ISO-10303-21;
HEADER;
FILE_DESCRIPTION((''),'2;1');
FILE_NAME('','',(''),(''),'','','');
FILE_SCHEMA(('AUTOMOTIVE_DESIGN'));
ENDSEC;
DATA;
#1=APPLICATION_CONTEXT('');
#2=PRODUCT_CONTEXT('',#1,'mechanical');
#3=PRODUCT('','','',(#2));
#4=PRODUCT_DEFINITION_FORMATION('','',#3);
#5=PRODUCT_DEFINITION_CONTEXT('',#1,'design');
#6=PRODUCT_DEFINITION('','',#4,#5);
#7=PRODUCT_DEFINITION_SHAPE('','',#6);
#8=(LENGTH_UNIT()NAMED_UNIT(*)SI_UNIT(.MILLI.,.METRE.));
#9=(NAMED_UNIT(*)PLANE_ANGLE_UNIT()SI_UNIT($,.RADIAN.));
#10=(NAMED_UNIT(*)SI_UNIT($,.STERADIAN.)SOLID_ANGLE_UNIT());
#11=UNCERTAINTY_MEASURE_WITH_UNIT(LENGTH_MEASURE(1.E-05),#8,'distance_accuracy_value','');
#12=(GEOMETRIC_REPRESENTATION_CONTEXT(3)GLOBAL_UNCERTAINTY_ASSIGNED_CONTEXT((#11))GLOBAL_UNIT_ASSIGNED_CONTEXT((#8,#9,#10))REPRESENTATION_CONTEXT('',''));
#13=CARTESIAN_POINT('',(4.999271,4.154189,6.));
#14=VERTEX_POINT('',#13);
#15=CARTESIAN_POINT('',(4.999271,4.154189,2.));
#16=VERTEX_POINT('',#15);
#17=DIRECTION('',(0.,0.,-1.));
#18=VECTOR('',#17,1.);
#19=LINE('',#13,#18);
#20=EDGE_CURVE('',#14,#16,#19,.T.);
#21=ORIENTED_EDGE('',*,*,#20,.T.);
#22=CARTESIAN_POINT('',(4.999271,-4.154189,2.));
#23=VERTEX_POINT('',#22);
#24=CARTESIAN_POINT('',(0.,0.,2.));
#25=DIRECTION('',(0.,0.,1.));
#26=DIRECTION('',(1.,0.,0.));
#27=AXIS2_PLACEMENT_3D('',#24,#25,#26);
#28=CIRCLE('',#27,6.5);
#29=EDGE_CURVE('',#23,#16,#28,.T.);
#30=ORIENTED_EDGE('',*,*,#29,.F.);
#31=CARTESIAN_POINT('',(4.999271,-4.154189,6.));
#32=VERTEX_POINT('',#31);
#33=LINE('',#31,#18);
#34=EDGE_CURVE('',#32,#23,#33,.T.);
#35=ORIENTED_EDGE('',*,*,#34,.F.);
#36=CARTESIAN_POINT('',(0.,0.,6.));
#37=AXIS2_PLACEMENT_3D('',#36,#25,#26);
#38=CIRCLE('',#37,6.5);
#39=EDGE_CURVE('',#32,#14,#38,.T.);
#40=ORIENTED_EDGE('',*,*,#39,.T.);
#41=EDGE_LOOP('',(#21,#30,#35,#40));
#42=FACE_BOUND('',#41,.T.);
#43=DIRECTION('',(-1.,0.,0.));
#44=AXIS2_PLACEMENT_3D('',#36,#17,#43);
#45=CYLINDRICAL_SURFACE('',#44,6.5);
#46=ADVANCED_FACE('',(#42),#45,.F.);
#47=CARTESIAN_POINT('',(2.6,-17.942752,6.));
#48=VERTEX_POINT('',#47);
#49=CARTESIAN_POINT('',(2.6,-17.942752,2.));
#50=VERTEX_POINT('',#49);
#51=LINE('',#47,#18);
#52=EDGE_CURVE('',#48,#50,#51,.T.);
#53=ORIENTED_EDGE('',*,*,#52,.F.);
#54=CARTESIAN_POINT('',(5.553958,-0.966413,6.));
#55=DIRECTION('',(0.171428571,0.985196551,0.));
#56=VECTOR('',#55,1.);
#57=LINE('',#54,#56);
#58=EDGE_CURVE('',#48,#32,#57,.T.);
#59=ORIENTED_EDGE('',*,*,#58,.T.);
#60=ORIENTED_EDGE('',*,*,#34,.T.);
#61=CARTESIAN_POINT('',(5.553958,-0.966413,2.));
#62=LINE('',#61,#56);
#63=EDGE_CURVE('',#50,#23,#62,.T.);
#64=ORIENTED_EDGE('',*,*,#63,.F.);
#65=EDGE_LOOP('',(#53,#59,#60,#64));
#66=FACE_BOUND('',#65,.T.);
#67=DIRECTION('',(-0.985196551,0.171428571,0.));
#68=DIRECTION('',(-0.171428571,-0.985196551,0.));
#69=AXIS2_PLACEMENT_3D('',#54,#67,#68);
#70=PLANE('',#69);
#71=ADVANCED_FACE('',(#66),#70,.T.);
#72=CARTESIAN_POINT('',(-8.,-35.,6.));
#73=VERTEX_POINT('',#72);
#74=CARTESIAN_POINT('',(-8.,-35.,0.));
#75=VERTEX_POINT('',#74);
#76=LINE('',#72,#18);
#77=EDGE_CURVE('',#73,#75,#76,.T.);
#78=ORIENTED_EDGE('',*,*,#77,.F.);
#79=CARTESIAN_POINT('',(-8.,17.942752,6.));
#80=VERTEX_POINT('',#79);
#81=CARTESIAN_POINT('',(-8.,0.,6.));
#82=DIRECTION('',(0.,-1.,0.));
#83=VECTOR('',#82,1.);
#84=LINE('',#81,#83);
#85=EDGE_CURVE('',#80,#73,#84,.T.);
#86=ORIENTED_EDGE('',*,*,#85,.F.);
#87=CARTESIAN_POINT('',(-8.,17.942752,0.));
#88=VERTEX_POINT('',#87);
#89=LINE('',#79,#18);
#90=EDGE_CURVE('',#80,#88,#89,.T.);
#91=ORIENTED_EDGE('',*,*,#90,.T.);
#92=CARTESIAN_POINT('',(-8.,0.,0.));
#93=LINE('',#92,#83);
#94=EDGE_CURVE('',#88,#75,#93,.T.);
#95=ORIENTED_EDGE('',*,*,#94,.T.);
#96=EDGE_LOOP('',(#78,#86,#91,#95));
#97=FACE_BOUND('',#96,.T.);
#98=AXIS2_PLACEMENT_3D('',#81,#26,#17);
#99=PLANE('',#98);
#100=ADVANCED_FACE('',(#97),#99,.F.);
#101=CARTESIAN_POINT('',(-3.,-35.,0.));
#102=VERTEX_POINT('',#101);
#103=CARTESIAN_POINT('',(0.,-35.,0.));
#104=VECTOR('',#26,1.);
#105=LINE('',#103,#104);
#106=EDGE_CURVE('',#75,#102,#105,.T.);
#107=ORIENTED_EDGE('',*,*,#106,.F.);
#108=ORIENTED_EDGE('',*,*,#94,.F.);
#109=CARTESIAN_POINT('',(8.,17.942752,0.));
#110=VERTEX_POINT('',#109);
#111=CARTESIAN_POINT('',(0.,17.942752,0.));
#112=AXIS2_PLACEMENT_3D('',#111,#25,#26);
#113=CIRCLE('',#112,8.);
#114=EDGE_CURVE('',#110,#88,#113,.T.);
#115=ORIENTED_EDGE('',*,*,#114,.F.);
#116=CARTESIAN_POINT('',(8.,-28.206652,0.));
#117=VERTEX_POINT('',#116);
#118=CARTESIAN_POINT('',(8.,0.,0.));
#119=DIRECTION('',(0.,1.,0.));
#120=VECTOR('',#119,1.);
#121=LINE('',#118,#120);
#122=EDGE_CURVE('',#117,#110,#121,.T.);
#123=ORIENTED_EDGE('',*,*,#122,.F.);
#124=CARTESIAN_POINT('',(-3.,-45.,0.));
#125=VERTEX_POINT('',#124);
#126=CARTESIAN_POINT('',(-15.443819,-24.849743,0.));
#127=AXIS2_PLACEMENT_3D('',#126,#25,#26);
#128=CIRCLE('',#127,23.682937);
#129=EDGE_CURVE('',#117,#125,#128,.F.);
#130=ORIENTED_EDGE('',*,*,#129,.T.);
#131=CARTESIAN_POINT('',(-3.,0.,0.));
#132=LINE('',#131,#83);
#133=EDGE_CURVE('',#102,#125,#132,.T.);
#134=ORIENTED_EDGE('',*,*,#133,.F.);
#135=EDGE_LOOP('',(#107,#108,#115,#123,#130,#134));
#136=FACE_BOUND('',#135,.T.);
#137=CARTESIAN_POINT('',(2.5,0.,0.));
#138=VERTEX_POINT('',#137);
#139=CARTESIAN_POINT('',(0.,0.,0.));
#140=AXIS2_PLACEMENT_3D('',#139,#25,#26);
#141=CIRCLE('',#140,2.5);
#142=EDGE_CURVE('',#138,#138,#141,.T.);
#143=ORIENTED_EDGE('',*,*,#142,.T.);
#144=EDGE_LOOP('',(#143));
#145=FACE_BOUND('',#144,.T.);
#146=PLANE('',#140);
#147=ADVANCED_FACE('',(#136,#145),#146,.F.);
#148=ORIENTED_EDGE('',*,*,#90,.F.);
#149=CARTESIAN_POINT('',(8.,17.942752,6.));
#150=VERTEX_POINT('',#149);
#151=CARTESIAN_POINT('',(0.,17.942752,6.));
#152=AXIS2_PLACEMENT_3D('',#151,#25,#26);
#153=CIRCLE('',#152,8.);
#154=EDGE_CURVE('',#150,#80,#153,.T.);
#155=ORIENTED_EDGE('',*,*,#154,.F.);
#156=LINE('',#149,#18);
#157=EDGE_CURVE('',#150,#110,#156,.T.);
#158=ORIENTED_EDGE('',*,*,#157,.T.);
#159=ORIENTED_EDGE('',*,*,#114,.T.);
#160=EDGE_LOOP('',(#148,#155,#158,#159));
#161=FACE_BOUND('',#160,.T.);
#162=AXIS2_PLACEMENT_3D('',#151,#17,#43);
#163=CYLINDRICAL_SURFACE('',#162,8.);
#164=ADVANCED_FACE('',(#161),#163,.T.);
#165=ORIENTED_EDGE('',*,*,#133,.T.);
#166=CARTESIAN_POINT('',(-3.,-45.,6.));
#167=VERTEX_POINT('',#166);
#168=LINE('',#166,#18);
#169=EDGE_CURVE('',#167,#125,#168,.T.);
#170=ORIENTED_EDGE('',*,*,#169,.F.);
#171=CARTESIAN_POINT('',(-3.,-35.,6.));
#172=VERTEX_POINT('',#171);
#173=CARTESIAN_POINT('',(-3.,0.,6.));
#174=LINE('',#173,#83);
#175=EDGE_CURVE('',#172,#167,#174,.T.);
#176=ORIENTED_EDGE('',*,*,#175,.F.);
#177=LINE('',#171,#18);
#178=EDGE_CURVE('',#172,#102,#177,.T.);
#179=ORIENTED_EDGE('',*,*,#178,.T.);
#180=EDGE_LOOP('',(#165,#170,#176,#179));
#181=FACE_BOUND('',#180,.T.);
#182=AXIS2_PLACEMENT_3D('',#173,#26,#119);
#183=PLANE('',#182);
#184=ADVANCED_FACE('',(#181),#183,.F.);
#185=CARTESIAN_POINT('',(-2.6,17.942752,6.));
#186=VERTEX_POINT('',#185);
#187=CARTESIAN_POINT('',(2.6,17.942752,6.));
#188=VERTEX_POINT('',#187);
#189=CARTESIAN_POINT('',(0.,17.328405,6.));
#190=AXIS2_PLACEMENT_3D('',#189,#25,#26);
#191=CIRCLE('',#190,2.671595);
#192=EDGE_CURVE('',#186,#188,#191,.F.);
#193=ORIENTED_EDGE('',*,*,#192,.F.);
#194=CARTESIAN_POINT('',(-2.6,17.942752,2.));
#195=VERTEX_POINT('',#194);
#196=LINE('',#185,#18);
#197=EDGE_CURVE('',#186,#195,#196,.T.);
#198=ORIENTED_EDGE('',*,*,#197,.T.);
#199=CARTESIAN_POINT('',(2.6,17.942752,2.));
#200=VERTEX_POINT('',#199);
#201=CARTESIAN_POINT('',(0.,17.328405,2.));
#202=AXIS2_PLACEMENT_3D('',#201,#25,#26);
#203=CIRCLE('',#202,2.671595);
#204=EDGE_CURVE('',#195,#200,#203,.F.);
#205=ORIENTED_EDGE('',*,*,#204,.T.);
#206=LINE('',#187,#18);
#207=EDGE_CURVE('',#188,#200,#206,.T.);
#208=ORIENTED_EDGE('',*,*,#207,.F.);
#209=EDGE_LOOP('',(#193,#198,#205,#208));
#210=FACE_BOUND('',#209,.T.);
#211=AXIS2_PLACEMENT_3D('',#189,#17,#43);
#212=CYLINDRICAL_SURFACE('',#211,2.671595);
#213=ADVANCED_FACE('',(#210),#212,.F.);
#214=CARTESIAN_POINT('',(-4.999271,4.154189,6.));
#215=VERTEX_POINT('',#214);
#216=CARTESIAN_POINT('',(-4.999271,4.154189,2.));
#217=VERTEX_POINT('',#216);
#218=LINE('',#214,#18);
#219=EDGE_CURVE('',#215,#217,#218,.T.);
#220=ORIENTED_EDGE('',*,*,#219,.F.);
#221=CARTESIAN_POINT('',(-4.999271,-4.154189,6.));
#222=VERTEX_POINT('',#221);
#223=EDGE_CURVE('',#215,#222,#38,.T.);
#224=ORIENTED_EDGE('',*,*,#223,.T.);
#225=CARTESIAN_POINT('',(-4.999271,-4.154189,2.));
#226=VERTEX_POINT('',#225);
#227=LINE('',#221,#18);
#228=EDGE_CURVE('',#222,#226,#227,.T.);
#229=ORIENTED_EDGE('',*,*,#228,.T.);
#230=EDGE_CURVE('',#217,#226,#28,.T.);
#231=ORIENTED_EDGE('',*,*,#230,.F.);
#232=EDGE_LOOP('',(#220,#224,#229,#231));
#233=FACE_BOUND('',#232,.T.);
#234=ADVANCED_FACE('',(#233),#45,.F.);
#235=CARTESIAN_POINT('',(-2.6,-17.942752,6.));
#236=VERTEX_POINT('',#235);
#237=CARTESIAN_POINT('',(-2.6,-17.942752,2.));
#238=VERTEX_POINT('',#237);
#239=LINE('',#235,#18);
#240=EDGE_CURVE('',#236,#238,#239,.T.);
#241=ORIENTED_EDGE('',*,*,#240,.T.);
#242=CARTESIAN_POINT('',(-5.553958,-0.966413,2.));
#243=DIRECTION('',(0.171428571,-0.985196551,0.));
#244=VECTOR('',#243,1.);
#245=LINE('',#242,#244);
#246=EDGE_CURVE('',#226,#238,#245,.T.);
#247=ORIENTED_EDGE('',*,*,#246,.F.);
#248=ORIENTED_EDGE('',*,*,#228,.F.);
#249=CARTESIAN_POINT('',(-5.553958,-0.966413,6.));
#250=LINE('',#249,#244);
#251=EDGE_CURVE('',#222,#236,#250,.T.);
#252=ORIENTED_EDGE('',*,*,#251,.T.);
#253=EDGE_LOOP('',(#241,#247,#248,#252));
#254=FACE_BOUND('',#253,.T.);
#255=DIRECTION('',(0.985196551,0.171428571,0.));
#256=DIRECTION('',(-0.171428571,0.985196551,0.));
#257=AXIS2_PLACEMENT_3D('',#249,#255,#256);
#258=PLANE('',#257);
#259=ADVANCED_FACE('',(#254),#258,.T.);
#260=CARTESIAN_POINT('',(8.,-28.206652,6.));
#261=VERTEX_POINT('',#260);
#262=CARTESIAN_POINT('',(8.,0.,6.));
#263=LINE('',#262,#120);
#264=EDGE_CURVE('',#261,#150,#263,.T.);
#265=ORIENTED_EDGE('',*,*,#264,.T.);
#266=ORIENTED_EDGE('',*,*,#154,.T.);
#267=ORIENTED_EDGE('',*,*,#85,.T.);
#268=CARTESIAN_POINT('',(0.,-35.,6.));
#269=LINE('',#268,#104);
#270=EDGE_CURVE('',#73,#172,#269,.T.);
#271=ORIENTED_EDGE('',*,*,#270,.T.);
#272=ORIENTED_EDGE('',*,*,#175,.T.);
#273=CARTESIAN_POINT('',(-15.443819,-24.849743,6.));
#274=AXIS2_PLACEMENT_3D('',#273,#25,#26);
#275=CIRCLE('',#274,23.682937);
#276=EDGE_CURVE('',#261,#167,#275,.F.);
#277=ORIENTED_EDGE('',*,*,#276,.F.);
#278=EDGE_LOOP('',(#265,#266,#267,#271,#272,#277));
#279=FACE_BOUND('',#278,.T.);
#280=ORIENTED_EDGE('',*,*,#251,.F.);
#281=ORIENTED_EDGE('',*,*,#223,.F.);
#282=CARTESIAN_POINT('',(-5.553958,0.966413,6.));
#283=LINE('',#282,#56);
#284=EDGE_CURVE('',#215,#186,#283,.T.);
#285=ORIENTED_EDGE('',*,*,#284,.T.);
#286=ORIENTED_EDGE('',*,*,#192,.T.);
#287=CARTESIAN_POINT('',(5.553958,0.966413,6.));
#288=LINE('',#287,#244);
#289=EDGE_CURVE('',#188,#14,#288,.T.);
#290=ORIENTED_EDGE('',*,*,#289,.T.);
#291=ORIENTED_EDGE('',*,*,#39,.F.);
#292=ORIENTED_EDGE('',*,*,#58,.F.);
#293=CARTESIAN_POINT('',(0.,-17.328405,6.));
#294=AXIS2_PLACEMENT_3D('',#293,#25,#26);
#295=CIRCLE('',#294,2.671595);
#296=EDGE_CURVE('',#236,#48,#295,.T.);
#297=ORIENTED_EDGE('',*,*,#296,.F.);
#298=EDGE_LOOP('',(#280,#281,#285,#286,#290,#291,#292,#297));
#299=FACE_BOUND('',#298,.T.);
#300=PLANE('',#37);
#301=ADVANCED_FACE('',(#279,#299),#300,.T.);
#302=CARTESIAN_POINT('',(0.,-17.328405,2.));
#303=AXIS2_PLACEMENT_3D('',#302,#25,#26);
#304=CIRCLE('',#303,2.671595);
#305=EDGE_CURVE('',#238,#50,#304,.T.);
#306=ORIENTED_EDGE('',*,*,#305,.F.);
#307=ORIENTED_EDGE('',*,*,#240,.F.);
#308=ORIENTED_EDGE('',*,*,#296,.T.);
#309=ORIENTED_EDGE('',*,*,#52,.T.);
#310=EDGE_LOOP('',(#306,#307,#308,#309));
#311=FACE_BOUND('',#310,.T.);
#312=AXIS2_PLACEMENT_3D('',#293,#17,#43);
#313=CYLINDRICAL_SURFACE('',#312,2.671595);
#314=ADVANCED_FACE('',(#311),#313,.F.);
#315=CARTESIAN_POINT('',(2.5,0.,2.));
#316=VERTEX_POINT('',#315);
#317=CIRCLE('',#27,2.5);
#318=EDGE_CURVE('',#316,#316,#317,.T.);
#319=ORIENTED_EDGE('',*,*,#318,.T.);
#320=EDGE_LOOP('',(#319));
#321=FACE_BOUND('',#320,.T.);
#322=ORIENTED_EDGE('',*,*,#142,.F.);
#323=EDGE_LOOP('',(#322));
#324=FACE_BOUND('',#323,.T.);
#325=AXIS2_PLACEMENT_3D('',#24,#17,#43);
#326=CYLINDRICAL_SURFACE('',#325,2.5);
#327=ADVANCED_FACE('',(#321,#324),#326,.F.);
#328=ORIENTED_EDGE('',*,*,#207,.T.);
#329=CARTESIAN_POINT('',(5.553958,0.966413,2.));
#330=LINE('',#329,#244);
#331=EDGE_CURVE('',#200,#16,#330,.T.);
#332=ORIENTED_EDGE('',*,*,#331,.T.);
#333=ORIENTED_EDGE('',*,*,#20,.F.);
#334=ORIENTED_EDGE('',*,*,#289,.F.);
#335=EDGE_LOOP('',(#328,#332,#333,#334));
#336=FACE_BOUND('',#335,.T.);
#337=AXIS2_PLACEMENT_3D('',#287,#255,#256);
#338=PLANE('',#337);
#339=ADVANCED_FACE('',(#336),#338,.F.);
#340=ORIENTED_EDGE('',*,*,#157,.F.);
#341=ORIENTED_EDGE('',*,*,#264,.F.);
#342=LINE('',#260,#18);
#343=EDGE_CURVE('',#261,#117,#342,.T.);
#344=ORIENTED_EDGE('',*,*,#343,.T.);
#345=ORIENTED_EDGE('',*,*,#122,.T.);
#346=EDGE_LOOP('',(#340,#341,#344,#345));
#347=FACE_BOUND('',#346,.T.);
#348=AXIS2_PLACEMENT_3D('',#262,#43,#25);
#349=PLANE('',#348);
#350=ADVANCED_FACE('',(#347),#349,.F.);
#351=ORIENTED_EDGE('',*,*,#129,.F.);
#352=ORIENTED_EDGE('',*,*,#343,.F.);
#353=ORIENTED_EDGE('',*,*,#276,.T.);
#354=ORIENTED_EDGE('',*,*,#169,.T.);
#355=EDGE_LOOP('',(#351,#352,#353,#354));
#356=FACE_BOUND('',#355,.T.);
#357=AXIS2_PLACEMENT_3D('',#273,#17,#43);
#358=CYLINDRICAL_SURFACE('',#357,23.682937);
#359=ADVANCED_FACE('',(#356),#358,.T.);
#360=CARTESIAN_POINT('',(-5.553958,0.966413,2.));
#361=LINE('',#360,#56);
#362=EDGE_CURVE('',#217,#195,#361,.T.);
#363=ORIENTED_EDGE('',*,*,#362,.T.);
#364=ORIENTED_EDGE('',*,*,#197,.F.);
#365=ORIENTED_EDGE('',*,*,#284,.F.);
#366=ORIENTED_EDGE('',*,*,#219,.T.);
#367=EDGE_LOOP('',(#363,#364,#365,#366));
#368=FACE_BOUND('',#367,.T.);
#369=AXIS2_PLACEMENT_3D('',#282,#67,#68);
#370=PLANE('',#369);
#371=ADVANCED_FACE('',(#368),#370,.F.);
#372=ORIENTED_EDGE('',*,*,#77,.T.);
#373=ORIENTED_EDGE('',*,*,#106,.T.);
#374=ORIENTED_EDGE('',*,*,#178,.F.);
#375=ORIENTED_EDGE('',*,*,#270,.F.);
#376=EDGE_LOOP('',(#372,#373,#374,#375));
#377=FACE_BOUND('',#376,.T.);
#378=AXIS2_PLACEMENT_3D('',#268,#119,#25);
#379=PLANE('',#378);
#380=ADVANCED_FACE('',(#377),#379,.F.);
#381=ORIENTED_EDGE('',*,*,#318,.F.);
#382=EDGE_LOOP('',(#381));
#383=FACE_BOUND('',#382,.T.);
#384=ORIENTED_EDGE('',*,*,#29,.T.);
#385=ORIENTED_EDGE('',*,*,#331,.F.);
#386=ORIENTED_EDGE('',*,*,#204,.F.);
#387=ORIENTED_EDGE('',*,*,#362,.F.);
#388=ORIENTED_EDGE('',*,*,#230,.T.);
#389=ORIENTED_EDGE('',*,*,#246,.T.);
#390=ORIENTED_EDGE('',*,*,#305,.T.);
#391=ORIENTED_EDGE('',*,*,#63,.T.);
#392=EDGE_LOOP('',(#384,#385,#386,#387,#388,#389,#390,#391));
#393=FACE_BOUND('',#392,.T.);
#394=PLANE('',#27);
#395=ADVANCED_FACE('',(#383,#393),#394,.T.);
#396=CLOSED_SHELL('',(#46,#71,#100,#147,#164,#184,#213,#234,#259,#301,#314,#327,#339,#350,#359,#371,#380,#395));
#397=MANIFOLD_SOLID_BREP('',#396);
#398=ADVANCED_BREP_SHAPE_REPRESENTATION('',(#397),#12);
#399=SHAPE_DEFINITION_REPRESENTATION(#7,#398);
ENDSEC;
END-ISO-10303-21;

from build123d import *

# Parameters (mm, degrees)
EXTRUDE_1_DEPTH = 6
SKETCH_2_W      = 13.679492917
SKETCH_2_H      = 41.038478751
SKETCH_2_R      = 2.5
EXTRUDE_2_DEPTH = 2


with BuildPart() as part:
    # 草圖1 → 填料-伸長1 (new body)
    with BuildSketch(Plane.XY):
        with BuildLine():
            Line((8, -24.934633195), (8, 17.94275172))
            ThreePointArc((8, 17.94275172), (0, 25.94275172), (-8, 17.94275172))
            Line((-8, 17.94275172), (-8, -18.141285654))
            Line((-8, -18.141285654), (-8, -24.934633195))
            Line((-8, -24.934633195), (-8, -28.206652459))
            Line((-8, -28.206652459), (-8, -35))
            Line((-8, -35), (-3, -35))
            Line((-3, -35), (-3, -45))
            ThreePointArc((-3, -45), (4.367409356, -37.826519096), (8, -28.206652459))
            Line((8, -28.206652459), (8, -24.934633195))
        make_face()
        with BuildLine():
            ThreePointArc((-4.999271035, -4.154189345), (-6.5, 0), (-4.999271035, 4.154189345))
            Line((-4.999271035, 4.154189345), (-2.6, 17.94275172))
            ThreePointArc((-2.6, 17.94275172), (0, 20), (2.6, 17.94275172))
            Line((2.6, 17.94275172), (4.999271035, 4.154189345))
            ThreePointArc((4.999271035, 4.154189345), (6.5, 0), (4.999271035, -4.154189345))
            Line((4.999271035, -4.154189345), (2.6, -17.94275172))
            ThreePointArc((2.6, -17.94275172), (0, -20), (-2.6, -17.94275172))
            Line((-2.6, -17.94275172), (-4.999271035, -4.154189345))
        make_face(mode=Mode.SUBTRACT)
    extrude(amount=EXTRUDE_1_DEPTH)

    # 草圖2 → 填料-伸長2 (add)
    with BuildSketch(Plane.XY):
        with Locations((0.193072501, -0.109084802)):
            Rectangle(SKETCH_2_W, SKETCH_2_H)
        Circle(SKETCH_2_R, mode=Mode.SUBTRACT)
    extrude(amount=EXTRUDE_2_DEPTH)


solid = part.part
